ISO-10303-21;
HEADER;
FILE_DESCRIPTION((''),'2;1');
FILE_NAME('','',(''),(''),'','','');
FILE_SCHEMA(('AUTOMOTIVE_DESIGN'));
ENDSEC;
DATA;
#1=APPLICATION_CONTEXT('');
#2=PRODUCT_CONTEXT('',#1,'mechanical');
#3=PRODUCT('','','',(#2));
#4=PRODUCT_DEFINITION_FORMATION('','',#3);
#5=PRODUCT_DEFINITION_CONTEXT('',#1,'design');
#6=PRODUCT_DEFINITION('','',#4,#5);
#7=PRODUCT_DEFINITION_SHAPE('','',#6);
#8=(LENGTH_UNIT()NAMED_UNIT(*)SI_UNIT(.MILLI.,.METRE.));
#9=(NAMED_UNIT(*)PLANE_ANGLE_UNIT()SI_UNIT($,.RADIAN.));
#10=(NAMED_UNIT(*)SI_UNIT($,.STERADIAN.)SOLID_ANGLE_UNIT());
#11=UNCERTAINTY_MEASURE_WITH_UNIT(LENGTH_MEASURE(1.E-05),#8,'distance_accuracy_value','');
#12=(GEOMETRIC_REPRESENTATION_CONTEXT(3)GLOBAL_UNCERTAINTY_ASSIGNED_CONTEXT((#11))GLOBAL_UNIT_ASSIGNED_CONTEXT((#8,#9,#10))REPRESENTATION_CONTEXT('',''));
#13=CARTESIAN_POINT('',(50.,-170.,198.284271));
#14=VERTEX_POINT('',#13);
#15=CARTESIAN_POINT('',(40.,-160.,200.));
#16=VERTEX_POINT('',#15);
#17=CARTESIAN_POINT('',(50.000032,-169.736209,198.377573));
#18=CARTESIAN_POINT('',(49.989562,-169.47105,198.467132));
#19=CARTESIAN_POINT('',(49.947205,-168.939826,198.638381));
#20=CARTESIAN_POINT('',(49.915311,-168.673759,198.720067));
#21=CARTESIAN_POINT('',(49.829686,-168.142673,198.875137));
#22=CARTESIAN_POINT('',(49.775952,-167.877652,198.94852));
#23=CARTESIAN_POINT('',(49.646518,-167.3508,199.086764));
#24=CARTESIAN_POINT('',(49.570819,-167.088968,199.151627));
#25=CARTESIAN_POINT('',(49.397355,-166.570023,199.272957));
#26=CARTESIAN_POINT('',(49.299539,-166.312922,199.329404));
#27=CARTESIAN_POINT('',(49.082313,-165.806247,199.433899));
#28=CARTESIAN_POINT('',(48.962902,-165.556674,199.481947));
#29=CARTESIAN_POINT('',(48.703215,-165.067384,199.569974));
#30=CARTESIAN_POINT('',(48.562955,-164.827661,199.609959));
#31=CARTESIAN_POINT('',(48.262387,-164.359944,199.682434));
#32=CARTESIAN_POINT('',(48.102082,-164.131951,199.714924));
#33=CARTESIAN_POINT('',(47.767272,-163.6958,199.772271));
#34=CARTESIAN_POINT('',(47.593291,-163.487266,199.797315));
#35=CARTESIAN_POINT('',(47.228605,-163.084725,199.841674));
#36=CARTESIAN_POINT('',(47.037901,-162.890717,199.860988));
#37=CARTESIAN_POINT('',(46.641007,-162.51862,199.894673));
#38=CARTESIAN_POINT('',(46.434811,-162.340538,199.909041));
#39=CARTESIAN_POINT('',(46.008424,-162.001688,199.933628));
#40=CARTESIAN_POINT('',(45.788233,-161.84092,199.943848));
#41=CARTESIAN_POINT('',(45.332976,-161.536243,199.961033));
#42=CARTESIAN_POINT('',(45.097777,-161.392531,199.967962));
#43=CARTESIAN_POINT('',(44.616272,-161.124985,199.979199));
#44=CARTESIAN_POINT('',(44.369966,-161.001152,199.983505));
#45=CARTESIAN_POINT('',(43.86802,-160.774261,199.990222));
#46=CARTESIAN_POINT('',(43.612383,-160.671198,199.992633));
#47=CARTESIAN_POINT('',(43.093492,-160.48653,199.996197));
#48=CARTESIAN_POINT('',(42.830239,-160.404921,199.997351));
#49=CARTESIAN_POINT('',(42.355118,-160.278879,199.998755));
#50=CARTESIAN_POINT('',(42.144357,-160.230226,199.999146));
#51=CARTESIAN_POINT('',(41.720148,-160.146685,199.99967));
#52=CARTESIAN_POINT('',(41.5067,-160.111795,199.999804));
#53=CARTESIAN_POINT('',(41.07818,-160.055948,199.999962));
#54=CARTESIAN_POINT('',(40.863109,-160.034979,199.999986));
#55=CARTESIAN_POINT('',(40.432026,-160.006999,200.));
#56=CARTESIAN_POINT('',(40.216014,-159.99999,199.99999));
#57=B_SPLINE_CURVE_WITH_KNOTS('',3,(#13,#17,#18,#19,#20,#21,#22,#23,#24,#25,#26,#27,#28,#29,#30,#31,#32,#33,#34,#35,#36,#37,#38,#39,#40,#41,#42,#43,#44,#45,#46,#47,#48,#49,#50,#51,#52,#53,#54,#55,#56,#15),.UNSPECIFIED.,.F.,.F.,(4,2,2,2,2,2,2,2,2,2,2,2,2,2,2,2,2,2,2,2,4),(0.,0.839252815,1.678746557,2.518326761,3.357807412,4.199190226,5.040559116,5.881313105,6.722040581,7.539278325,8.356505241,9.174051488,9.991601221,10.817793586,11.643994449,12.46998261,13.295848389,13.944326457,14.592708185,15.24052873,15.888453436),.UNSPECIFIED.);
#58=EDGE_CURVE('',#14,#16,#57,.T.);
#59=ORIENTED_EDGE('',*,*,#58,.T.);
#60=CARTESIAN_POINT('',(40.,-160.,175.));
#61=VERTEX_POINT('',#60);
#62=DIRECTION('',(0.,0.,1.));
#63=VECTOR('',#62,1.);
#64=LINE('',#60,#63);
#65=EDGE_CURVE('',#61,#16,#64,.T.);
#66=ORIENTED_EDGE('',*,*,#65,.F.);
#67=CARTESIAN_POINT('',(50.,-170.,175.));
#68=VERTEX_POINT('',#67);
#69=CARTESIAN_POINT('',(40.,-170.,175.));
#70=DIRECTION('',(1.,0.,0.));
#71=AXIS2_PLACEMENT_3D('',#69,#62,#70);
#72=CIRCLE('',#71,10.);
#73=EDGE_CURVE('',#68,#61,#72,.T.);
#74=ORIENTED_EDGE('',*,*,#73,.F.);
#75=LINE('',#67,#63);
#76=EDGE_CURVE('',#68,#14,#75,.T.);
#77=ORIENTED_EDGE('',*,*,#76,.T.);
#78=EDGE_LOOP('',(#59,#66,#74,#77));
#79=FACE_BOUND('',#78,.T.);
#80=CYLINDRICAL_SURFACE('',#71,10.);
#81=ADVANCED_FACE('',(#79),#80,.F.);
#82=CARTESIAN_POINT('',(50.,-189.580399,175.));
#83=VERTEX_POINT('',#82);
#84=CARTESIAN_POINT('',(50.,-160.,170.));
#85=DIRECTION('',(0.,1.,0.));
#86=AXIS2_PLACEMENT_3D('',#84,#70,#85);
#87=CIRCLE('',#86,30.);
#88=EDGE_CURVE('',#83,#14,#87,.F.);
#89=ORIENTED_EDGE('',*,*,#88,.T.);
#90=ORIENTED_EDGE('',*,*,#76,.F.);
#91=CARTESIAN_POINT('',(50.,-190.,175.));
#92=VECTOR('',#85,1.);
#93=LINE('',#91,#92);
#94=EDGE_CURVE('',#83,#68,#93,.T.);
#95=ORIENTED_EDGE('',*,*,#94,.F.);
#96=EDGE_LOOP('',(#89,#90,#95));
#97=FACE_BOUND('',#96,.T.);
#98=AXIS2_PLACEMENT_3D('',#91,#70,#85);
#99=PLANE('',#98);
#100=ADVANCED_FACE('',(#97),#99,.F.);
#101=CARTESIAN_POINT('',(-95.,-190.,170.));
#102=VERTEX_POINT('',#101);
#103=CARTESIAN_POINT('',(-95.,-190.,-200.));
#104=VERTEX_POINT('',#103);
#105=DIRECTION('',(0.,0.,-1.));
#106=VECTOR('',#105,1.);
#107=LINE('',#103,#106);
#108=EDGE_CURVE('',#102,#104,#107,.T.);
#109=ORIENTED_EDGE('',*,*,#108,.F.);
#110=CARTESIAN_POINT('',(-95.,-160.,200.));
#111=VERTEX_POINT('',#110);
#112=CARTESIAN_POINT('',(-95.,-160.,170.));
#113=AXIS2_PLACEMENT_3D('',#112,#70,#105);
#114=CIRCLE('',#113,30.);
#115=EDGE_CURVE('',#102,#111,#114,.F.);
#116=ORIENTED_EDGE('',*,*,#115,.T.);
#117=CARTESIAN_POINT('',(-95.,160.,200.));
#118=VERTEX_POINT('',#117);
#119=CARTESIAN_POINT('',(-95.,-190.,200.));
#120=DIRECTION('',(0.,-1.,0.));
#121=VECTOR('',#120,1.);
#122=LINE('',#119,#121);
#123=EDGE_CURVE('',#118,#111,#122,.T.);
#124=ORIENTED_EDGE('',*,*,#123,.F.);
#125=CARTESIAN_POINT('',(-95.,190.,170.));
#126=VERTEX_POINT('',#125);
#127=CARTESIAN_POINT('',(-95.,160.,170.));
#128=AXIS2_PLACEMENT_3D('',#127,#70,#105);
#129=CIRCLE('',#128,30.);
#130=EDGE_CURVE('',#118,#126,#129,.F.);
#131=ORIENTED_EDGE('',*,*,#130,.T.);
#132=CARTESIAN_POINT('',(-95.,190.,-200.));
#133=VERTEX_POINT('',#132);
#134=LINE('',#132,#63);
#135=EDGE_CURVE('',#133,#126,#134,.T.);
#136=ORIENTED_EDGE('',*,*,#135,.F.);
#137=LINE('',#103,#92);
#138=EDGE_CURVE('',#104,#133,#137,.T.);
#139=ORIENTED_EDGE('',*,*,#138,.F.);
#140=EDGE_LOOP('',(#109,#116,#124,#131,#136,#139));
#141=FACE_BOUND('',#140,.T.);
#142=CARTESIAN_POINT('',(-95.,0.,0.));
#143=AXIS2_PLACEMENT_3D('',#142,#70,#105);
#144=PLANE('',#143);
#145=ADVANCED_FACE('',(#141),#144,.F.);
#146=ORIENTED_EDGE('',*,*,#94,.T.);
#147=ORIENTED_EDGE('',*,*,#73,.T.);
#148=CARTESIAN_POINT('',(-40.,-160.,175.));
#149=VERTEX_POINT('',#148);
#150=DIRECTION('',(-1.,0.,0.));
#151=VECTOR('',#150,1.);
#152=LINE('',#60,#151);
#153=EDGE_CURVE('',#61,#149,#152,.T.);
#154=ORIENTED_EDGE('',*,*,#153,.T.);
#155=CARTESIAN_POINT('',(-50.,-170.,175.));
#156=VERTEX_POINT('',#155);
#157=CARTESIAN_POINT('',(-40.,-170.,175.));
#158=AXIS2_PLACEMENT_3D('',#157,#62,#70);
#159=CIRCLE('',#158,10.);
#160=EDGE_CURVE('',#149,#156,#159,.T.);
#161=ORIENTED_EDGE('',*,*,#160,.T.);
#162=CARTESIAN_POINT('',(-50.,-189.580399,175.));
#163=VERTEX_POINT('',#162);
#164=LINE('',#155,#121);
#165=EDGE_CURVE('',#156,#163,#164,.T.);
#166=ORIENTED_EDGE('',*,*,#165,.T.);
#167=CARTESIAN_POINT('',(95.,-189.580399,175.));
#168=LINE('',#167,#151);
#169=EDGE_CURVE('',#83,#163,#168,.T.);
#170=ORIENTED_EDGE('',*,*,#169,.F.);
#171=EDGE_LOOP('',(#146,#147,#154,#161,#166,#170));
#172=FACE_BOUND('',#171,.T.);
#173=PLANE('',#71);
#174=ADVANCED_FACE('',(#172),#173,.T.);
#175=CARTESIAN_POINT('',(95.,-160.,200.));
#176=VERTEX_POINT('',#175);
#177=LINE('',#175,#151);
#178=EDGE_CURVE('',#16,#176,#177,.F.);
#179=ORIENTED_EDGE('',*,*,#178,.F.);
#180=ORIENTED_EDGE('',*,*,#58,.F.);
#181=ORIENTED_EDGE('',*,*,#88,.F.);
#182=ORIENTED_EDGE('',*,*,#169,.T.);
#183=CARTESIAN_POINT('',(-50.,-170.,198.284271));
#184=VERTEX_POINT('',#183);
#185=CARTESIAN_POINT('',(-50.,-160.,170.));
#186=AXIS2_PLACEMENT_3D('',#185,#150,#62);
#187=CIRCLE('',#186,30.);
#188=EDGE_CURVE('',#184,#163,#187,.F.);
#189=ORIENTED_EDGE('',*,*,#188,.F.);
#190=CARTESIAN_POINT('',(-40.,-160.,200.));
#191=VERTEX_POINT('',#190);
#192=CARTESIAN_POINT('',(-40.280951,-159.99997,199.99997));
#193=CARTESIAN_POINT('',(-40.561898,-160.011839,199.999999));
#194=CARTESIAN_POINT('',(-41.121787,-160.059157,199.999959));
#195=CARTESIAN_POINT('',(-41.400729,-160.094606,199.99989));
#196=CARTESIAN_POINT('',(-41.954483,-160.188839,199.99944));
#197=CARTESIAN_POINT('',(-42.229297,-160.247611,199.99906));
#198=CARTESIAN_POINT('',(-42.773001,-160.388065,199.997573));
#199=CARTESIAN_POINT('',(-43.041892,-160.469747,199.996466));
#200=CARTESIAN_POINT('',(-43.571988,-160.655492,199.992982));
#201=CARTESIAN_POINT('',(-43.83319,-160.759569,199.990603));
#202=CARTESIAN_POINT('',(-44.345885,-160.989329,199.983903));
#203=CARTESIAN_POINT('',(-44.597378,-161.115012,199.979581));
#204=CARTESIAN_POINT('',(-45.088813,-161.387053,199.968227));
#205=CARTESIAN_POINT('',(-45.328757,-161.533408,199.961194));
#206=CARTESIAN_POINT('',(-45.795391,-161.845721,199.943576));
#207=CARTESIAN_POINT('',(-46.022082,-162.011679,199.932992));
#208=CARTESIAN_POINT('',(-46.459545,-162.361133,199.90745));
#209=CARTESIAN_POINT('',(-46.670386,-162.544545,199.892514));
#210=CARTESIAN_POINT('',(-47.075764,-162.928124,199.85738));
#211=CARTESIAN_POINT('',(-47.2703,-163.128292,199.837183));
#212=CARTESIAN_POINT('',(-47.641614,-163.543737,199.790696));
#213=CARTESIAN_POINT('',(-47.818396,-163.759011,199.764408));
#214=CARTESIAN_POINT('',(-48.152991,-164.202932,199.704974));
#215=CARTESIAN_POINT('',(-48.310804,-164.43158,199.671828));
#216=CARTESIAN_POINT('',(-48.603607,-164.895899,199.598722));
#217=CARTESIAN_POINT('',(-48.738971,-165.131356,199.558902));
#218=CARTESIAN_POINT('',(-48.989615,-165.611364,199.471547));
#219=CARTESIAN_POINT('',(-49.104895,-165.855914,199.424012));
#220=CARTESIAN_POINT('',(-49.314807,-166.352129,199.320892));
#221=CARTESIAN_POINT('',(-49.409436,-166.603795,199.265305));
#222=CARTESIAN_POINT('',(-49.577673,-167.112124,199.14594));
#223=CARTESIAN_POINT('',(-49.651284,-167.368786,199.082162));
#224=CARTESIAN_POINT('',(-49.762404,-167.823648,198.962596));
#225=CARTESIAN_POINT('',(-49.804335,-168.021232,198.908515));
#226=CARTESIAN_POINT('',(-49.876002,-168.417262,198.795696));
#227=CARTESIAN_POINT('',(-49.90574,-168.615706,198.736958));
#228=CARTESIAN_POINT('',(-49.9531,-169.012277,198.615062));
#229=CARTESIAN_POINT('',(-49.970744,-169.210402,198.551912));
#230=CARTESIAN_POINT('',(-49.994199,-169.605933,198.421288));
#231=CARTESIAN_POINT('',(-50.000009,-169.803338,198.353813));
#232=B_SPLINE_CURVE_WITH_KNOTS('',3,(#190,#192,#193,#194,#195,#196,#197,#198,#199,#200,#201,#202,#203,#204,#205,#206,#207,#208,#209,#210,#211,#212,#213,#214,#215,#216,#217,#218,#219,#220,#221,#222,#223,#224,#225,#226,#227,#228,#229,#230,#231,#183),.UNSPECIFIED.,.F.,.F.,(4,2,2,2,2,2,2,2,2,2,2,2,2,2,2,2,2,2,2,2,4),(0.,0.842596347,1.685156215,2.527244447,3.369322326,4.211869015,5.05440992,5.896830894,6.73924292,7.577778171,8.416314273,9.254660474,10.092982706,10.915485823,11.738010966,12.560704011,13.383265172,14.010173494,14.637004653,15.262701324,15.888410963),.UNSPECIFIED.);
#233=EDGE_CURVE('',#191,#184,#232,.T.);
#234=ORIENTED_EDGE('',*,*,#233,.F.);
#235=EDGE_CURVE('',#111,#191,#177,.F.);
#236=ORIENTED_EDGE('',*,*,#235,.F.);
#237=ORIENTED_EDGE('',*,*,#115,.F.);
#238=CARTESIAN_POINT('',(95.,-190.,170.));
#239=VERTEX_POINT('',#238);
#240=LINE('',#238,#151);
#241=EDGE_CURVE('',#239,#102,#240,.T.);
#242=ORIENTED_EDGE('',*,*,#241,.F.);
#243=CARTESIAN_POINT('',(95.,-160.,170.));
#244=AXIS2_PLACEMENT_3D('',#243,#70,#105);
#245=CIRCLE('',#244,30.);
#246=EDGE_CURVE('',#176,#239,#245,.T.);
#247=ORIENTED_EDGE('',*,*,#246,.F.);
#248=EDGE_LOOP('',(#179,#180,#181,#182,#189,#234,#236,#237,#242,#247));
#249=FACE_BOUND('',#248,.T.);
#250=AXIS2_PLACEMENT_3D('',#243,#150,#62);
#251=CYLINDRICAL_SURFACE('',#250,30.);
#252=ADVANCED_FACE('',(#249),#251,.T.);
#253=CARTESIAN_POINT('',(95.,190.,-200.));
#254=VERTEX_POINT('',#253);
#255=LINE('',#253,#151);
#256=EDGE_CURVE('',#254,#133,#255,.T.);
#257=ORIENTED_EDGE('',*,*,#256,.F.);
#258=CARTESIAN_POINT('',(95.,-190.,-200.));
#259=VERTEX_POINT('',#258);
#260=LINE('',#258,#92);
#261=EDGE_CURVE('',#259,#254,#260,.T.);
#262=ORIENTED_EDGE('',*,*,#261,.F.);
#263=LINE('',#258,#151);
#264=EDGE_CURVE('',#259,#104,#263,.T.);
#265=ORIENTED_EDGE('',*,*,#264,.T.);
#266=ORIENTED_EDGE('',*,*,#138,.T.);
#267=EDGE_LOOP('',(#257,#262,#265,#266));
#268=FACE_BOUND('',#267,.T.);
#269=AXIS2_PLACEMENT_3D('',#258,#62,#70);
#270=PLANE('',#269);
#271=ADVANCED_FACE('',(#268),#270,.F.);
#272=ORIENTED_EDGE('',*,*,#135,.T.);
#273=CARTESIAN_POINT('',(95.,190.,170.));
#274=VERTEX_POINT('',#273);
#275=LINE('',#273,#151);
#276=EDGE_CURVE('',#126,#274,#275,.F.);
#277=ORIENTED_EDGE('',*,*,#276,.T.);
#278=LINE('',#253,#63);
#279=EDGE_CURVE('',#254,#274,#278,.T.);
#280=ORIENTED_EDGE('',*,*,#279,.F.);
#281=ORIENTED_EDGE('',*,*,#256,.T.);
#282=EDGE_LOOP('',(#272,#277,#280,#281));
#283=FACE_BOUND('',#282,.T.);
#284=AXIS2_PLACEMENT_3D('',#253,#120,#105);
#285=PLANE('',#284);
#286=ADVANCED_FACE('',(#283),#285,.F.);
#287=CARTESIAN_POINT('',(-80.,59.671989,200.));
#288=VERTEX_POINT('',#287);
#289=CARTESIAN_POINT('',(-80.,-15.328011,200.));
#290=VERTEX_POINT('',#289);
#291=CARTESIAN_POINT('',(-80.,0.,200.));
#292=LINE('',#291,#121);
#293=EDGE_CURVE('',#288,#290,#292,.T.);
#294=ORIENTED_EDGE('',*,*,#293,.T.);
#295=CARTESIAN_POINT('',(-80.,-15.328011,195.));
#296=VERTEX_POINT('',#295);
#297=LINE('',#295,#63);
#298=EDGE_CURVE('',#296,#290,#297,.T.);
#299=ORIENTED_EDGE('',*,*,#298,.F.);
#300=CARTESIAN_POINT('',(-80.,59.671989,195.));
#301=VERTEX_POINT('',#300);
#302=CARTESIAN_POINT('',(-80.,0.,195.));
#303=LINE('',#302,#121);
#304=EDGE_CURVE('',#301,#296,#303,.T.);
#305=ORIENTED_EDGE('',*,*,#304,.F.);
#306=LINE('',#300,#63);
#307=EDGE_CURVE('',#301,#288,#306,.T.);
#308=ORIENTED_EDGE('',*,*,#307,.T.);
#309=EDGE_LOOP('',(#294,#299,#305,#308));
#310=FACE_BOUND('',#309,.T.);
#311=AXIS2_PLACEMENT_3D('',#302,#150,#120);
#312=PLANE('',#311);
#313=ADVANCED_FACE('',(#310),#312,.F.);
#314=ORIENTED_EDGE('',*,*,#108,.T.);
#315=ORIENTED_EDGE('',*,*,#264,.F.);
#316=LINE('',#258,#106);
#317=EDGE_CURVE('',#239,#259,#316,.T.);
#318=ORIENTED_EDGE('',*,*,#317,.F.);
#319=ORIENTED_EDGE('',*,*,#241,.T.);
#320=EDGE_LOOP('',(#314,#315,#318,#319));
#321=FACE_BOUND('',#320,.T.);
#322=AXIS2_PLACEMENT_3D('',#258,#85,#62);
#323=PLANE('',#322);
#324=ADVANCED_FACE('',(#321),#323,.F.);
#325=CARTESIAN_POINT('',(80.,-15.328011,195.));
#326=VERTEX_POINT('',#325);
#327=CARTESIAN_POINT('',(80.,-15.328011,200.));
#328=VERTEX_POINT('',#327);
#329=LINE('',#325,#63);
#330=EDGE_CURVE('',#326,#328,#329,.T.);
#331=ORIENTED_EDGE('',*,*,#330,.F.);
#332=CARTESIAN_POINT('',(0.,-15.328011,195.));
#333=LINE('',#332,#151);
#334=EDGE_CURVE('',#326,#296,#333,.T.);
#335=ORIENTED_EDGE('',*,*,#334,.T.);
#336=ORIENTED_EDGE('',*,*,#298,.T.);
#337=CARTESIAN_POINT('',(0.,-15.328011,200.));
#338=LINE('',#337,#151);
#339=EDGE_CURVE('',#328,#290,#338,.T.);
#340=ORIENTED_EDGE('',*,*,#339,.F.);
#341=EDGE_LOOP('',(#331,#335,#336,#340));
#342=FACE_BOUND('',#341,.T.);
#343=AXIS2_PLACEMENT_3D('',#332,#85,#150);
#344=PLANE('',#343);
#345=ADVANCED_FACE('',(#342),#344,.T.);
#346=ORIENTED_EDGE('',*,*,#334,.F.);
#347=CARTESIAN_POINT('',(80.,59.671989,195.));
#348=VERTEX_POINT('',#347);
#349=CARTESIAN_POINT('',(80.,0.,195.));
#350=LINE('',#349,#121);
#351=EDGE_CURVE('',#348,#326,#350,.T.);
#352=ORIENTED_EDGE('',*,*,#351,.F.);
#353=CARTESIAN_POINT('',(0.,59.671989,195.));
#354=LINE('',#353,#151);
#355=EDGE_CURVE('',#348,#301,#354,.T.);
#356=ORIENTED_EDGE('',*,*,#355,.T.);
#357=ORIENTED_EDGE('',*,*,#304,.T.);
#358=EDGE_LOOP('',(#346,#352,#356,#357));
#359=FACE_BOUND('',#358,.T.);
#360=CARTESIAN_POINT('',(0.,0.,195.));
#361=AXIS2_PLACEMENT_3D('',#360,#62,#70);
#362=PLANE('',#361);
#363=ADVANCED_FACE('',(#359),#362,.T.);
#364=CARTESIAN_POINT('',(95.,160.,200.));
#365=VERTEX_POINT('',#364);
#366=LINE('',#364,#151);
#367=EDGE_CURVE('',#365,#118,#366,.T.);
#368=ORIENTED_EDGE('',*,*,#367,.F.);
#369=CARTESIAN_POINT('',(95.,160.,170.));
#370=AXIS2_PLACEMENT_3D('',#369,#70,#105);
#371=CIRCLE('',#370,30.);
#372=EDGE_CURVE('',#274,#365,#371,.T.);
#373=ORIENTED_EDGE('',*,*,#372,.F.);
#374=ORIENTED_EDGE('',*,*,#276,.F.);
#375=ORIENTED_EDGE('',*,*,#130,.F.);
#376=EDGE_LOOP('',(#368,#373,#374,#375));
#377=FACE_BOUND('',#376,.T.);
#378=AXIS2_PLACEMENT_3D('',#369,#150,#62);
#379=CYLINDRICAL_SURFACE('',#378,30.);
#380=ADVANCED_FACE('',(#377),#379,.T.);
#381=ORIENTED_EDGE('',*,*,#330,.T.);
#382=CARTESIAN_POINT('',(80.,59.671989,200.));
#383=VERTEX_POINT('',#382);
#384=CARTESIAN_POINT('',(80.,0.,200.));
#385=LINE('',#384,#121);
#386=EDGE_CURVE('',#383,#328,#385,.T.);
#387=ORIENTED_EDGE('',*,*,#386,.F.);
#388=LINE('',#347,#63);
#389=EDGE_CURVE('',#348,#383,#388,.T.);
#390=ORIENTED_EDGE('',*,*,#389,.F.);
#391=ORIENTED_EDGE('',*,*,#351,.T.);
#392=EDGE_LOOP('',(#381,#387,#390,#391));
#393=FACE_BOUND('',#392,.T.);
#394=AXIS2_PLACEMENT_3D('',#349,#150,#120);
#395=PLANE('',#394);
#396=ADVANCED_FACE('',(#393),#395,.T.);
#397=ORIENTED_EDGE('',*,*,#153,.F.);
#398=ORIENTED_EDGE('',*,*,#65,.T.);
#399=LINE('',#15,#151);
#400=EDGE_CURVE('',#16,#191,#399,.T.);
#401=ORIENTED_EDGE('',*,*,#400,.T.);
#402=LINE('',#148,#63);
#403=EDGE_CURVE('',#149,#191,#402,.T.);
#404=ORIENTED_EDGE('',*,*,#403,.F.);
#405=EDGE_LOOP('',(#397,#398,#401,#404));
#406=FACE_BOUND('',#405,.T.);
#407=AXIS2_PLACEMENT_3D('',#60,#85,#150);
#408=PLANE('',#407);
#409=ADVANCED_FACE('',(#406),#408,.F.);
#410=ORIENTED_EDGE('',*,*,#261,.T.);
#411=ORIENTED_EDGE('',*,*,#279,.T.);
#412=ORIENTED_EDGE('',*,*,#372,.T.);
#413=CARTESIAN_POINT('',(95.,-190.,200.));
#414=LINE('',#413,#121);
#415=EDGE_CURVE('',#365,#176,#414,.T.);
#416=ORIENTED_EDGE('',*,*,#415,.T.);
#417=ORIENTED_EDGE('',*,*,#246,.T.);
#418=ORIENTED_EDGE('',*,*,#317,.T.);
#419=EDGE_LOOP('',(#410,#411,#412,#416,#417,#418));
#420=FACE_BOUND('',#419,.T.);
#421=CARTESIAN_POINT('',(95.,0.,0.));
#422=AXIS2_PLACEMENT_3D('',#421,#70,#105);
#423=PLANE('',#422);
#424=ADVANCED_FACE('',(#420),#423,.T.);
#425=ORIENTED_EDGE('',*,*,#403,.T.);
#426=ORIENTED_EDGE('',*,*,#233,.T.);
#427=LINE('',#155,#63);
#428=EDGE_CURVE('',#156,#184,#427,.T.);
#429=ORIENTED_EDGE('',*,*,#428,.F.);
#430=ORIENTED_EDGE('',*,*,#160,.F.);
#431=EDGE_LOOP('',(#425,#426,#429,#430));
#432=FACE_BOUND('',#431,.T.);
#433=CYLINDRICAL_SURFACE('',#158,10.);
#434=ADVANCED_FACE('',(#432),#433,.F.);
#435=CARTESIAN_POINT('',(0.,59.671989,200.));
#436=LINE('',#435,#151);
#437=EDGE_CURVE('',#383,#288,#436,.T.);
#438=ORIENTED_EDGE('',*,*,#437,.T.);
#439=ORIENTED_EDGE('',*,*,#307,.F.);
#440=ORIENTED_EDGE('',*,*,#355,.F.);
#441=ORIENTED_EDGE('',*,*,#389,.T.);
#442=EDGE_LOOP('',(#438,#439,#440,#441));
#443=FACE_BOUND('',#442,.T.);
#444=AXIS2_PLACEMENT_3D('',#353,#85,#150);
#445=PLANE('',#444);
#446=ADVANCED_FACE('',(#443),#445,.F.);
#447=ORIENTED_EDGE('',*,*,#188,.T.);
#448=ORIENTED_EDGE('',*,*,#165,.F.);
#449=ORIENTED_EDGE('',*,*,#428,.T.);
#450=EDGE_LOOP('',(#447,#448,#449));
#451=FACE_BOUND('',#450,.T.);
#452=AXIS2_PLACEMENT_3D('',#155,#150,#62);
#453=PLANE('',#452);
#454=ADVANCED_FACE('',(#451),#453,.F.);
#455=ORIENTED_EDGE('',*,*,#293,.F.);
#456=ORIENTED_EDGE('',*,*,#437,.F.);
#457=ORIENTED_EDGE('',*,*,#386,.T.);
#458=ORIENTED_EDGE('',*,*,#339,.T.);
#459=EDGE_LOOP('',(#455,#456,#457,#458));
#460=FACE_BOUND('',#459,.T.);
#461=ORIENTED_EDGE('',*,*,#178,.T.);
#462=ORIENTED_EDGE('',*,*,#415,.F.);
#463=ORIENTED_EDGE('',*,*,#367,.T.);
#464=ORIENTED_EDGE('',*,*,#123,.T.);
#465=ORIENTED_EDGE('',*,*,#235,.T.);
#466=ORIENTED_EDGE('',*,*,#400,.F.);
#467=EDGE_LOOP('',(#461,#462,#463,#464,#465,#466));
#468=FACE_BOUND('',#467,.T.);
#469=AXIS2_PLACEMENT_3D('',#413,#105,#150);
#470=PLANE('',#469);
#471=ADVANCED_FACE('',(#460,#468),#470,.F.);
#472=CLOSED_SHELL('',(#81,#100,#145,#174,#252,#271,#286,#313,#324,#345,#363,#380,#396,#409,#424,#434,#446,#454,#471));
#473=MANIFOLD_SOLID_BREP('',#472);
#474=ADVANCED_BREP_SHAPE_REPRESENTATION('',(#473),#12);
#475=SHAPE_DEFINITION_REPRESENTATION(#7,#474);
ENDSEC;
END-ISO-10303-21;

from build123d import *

# Parameters (mm, degrees)
CROQUIS1_W              = 400
CROQUIS1_H              = 380
SALIENTE_EXTRUIR1_DEPTH = 95
REDONDEO1_R             = 30
CROQUIS2_W              = 160
CROQUIS2_H              = 75
CORTAR_EXTRUIR1_DEPTH   = 5
CORTAR_EXTRUIR2_DEPTH   = 25


with BuildPart() as part:
    # Croquis1 → Saliente-Extruir1 (new body, symmetric)
    with BuildSketch(Plane(origin=(0, 0, 0), x_dir=(0, 0, -1), z_dir=(1, 0, 0))):
        Rectangle(CROQUIS1_W, CROQUIS1_H)
    extrude(amount=SALIENTE_EXTRUIR1_DEPTH, both=True)

    # Redondeo1
    redondeo1_edges = [part.edges().sort_by_distance(p)[0] for p in [
        (0, 190, 200),
        (0, -190, 200),
    ]]
    fillet(redondeo1_edges, radius=REDONDEO1_R)

    # Croquis2 → Cortar-Extruir1 (cut)
    with BuildSketch(Plane.XY.offset(200)):
        with Locations((0, 22.171988643)):
            Rectangle(CROQUIS2_W, CROQUIS2_H)
    extrude(amount=-CORTAR_EXTRUIR1_DEPTH, mode=Mode.SUBTRACT)

    # Croquis3 → Cortar-Extruir2 (cut)
    with BuildSketch(Plane.XY.offset(200)):
        with BuildLine():
            Line((40, -160), (-40, -160))
            ThreePointArc((-40, -160), (-47.071067812, -162.928932188), (-50, -170))
            Line((-50, -170), (-50, -190))
            Line((-50, -190), (50, -190))
            Line((50, -190), (50, -170))
            ThreePointArc((50, -170), (47.071067812, -162.928932188), (40, -160))
        make_face()
    extrude(amount=-CORTAR_EXTRUIR2_DEPTH, mode=Mode.SUBTRACT)


solid = part.part
